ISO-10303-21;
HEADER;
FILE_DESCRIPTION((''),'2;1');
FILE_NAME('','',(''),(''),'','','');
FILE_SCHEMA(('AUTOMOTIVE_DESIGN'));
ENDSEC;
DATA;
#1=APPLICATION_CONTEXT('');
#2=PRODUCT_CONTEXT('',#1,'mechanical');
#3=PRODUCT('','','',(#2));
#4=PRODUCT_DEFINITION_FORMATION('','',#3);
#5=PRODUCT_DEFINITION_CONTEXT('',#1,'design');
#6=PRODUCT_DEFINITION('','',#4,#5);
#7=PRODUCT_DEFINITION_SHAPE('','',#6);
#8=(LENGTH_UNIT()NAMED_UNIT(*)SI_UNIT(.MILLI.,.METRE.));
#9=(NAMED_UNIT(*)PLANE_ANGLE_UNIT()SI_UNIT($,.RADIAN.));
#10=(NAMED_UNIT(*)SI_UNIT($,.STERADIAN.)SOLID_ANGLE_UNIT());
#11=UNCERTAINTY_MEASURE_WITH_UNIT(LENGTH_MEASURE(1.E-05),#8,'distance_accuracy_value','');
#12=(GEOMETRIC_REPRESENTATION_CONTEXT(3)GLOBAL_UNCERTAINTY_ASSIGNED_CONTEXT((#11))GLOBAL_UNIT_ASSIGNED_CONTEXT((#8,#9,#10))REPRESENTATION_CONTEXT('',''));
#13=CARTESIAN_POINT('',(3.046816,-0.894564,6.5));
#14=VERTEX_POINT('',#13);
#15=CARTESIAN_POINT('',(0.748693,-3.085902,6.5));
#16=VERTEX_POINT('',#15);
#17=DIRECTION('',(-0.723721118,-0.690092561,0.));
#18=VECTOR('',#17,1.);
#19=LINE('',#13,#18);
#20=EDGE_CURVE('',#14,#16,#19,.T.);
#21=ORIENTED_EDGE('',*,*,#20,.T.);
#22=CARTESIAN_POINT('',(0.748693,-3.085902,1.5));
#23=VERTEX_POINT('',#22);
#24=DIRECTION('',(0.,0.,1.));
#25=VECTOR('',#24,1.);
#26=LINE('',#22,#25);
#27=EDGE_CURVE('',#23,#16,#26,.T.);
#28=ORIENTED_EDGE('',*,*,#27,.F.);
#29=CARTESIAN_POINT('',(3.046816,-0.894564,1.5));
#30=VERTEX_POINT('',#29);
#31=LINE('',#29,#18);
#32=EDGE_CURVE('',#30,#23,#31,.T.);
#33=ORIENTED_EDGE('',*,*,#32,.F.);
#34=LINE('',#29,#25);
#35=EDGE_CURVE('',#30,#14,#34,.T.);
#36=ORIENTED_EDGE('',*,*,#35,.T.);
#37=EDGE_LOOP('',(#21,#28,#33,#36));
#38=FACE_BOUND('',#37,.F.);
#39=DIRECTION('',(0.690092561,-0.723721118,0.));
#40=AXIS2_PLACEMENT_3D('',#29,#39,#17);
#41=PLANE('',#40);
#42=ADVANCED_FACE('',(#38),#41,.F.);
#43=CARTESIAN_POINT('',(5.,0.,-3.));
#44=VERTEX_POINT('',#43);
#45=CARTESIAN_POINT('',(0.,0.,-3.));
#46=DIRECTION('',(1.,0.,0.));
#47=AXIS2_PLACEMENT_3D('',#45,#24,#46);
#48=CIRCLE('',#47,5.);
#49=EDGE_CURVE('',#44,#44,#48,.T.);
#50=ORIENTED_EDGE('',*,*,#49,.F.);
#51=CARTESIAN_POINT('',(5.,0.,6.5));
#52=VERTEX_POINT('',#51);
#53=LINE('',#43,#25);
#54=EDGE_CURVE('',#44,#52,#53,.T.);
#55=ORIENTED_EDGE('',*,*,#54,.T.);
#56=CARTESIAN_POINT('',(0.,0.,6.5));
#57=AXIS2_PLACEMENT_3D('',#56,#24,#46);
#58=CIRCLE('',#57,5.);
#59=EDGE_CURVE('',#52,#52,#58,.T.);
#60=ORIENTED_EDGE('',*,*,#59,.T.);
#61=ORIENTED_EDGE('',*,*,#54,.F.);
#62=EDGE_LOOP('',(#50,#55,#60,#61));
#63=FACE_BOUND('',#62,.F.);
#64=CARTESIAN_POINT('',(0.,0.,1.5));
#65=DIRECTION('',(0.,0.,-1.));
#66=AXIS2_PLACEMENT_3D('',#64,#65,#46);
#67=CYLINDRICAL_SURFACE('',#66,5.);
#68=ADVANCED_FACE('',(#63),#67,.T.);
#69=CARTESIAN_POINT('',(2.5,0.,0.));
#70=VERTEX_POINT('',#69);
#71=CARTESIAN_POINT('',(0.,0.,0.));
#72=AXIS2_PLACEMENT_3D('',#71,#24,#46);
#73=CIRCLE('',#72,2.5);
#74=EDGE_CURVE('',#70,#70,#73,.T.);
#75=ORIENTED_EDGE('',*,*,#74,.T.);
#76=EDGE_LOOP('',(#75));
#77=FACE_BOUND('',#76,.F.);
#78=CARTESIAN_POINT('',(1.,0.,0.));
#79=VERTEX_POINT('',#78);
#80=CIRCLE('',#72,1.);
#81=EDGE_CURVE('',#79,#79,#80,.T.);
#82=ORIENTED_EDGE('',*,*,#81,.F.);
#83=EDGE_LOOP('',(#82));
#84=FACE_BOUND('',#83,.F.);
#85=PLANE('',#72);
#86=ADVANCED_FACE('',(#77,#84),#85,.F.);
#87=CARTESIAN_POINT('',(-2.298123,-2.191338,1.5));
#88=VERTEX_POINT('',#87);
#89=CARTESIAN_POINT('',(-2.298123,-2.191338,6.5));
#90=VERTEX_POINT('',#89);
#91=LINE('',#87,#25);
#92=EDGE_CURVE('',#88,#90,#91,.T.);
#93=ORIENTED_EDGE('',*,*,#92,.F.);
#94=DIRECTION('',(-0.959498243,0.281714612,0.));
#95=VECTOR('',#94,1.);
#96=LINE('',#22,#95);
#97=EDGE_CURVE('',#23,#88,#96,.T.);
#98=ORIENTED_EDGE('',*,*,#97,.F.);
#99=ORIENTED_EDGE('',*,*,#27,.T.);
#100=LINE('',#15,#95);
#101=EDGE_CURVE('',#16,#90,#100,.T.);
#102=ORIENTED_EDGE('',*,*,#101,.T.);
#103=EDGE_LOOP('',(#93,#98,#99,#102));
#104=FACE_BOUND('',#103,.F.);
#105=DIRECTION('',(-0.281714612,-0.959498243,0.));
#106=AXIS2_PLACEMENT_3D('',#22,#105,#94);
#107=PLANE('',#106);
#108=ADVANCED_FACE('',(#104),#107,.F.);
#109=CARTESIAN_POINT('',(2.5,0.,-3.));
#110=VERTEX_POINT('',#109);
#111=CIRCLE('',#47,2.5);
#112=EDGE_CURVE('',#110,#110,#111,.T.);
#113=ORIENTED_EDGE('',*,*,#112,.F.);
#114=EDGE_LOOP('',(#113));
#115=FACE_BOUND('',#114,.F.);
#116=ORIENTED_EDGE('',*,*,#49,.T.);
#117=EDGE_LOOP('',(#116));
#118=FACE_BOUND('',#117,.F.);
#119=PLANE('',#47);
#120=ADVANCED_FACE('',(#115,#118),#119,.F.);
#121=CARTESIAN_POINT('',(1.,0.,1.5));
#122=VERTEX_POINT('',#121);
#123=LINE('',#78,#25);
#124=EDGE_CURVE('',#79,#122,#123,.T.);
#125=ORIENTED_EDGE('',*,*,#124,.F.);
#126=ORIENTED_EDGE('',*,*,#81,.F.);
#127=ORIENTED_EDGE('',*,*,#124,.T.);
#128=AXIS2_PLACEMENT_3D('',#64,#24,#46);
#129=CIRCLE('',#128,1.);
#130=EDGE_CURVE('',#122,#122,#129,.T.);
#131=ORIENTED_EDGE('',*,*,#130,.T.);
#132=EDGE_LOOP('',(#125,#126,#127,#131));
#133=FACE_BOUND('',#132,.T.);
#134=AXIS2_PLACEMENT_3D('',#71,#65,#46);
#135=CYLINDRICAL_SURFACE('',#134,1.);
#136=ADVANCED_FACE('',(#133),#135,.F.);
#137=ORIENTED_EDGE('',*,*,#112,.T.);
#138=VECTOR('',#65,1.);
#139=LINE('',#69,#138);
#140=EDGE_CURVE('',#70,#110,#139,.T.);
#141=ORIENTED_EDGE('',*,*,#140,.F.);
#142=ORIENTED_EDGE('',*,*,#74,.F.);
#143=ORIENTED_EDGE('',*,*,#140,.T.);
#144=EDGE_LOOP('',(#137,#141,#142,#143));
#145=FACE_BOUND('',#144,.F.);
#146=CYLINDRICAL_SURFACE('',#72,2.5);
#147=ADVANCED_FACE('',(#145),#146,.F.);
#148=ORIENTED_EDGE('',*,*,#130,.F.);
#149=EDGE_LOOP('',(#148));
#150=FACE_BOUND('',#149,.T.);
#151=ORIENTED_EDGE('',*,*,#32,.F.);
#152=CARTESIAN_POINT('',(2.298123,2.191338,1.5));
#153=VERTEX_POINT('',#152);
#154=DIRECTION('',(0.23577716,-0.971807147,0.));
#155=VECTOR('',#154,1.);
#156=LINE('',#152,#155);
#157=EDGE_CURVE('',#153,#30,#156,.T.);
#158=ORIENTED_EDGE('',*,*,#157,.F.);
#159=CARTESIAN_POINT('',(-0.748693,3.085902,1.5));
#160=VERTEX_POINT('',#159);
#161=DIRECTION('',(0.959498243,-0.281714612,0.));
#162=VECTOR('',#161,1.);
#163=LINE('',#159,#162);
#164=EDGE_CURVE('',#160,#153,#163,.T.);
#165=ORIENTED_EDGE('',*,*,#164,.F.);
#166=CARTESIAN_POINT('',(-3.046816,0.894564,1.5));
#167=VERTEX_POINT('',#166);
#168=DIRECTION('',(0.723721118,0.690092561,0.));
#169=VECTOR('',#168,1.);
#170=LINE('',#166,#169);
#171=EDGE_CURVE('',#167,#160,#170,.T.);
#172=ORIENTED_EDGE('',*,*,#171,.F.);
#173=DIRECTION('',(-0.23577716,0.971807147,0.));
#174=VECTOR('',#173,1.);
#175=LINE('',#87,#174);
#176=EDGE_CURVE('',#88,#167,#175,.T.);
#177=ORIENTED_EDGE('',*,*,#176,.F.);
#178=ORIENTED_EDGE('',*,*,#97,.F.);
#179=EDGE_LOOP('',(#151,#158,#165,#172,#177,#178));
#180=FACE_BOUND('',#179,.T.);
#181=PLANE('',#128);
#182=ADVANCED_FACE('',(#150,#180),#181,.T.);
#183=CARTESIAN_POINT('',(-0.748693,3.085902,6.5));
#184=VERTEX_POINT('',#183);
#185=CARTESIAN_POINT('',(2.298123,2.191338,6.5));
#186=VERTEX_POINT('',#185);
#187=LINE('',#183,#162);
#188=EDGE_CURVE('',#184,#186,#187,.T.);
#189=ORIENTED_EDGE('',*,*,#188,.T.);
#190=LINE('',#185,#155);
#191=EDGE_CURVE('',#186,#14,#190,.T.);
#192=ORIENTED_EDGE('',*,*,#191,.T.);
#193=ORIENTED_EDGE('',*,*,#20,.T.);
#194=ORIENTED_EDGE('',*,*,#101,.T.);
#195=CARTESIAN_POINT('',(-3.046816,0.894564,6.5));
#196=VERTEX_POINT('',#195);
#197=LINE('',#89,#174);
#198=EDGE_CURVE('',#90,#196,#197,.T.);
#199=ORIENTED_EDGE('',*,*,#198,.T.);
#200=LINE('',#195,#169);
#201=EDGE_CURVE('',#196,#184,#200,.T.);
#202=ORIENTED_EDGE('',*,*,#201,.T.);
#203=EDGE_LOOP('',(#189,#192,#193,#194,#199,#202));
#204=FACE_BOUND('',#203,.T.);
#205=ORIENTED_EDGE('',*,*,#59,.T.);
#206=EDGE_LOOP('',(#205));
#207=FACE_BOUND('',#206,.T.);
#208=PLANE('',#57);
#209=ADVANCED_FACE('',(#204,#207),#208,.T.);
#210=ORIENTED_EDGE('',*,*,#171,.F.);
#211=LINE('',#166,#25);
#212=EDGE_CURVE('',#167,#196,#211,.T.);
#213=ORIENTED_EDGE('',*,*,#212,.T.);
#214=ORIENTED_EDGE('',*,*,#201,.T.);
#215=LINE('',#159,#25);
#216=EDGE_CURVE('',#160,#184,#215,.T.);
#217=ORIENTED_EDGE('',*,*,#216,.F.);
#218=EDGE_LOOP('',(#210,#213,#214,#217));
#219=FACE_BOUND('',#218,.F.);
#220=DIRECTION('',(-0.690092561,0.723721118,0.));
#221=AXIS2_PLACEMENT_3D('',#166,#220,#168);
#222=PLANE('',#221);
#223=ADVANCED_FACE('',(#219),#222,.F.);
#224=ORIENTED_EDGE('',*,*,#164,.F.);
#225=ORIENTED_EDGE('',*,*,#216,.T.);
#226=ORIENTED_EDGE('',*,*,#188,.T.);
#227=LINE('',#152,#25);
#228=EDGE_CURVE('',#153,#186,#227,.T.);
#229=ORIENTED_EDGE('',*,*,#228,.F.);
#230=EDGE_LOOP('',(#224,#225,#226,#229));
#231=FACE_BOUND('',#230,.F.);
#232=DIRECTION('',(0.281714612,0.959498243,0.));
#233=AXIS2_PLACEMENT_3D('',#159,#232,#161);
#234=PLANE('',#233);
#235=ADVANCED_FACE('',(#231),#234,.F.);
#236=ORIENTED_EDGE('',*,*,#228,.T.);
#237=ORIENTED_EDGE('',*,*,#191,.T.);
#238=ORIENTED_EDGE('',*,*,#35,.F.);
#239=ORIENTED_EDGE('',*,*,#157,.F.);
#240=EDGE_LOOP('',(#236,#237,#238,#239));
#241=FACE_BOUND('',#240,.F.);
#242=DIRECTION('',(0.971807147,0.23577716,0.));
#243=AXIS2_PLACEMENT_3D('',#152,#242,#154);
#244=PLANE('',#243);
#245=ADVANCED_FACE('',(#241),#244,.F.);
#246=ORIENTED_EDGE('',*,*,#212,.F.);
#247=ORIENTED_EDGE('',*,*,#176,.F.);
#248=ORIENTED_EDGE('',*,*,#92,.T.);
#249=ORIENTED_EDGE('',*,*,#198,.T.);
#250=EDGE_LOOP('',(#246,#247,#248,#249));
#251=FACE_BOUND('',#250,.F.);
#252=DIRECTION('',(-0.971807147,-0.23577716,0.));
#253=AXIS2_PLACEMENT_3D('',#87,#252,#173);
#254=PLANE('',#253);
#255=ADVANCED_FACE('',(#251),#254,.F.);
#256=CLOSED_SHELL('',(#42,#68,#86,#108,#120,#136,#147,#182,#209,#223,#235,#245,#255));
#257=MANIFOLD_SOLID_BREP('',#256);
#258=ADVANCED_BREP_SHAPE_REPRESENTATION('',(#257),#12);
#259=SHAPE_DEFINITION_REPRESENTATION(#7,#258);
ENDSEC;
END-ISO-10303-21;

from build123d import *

# Parameters (mm, degrees)
F0_R     = 5
F0_R_2   = 2.5
F0_R_3   = 1
F1_DEPTH = 1.5
F2_DEPTH = 3
F3_R     = 5
F4_DEPTH = 5


with BuildPart() as f1:
    # F0 (on Top) → F1 (new body)
    with BuildSketch(Plane.XY):
        Circle(F0_R)
        Circle(F0_R_2, mode=Mode.SUBTRACT)
        Circle(F0_R_2)
        Circle(F0_R_3, mode=Mode.SUBTRACT)
    extrude(amount=F1_DEPTH)

    # F0 (on Top) → F2 (join)
    with BuildSketch(Plane.XY):
        Circle(F0_R)
        Circle(F0_R_2, mode=Mode.SUBTRACT)
    extrude(amount=-F2_DEPTH)

    # F3 (on face) → F4 (join)
    with BuildSketch(Plane.XY.offset(1.5)):
        Circle(F3_R)
        Polygon((-3.046816, 0.894564), (-0.748693, 3.085902), (2.298123, 2.191338), (3.046816, -0.894564), (0.748693, -3.085902), (-2.298123, -2.191338), align=None, mode=Mode.SUBTRACT)
    extrude(amount=F4_DEPTH)


solid = f1.part
